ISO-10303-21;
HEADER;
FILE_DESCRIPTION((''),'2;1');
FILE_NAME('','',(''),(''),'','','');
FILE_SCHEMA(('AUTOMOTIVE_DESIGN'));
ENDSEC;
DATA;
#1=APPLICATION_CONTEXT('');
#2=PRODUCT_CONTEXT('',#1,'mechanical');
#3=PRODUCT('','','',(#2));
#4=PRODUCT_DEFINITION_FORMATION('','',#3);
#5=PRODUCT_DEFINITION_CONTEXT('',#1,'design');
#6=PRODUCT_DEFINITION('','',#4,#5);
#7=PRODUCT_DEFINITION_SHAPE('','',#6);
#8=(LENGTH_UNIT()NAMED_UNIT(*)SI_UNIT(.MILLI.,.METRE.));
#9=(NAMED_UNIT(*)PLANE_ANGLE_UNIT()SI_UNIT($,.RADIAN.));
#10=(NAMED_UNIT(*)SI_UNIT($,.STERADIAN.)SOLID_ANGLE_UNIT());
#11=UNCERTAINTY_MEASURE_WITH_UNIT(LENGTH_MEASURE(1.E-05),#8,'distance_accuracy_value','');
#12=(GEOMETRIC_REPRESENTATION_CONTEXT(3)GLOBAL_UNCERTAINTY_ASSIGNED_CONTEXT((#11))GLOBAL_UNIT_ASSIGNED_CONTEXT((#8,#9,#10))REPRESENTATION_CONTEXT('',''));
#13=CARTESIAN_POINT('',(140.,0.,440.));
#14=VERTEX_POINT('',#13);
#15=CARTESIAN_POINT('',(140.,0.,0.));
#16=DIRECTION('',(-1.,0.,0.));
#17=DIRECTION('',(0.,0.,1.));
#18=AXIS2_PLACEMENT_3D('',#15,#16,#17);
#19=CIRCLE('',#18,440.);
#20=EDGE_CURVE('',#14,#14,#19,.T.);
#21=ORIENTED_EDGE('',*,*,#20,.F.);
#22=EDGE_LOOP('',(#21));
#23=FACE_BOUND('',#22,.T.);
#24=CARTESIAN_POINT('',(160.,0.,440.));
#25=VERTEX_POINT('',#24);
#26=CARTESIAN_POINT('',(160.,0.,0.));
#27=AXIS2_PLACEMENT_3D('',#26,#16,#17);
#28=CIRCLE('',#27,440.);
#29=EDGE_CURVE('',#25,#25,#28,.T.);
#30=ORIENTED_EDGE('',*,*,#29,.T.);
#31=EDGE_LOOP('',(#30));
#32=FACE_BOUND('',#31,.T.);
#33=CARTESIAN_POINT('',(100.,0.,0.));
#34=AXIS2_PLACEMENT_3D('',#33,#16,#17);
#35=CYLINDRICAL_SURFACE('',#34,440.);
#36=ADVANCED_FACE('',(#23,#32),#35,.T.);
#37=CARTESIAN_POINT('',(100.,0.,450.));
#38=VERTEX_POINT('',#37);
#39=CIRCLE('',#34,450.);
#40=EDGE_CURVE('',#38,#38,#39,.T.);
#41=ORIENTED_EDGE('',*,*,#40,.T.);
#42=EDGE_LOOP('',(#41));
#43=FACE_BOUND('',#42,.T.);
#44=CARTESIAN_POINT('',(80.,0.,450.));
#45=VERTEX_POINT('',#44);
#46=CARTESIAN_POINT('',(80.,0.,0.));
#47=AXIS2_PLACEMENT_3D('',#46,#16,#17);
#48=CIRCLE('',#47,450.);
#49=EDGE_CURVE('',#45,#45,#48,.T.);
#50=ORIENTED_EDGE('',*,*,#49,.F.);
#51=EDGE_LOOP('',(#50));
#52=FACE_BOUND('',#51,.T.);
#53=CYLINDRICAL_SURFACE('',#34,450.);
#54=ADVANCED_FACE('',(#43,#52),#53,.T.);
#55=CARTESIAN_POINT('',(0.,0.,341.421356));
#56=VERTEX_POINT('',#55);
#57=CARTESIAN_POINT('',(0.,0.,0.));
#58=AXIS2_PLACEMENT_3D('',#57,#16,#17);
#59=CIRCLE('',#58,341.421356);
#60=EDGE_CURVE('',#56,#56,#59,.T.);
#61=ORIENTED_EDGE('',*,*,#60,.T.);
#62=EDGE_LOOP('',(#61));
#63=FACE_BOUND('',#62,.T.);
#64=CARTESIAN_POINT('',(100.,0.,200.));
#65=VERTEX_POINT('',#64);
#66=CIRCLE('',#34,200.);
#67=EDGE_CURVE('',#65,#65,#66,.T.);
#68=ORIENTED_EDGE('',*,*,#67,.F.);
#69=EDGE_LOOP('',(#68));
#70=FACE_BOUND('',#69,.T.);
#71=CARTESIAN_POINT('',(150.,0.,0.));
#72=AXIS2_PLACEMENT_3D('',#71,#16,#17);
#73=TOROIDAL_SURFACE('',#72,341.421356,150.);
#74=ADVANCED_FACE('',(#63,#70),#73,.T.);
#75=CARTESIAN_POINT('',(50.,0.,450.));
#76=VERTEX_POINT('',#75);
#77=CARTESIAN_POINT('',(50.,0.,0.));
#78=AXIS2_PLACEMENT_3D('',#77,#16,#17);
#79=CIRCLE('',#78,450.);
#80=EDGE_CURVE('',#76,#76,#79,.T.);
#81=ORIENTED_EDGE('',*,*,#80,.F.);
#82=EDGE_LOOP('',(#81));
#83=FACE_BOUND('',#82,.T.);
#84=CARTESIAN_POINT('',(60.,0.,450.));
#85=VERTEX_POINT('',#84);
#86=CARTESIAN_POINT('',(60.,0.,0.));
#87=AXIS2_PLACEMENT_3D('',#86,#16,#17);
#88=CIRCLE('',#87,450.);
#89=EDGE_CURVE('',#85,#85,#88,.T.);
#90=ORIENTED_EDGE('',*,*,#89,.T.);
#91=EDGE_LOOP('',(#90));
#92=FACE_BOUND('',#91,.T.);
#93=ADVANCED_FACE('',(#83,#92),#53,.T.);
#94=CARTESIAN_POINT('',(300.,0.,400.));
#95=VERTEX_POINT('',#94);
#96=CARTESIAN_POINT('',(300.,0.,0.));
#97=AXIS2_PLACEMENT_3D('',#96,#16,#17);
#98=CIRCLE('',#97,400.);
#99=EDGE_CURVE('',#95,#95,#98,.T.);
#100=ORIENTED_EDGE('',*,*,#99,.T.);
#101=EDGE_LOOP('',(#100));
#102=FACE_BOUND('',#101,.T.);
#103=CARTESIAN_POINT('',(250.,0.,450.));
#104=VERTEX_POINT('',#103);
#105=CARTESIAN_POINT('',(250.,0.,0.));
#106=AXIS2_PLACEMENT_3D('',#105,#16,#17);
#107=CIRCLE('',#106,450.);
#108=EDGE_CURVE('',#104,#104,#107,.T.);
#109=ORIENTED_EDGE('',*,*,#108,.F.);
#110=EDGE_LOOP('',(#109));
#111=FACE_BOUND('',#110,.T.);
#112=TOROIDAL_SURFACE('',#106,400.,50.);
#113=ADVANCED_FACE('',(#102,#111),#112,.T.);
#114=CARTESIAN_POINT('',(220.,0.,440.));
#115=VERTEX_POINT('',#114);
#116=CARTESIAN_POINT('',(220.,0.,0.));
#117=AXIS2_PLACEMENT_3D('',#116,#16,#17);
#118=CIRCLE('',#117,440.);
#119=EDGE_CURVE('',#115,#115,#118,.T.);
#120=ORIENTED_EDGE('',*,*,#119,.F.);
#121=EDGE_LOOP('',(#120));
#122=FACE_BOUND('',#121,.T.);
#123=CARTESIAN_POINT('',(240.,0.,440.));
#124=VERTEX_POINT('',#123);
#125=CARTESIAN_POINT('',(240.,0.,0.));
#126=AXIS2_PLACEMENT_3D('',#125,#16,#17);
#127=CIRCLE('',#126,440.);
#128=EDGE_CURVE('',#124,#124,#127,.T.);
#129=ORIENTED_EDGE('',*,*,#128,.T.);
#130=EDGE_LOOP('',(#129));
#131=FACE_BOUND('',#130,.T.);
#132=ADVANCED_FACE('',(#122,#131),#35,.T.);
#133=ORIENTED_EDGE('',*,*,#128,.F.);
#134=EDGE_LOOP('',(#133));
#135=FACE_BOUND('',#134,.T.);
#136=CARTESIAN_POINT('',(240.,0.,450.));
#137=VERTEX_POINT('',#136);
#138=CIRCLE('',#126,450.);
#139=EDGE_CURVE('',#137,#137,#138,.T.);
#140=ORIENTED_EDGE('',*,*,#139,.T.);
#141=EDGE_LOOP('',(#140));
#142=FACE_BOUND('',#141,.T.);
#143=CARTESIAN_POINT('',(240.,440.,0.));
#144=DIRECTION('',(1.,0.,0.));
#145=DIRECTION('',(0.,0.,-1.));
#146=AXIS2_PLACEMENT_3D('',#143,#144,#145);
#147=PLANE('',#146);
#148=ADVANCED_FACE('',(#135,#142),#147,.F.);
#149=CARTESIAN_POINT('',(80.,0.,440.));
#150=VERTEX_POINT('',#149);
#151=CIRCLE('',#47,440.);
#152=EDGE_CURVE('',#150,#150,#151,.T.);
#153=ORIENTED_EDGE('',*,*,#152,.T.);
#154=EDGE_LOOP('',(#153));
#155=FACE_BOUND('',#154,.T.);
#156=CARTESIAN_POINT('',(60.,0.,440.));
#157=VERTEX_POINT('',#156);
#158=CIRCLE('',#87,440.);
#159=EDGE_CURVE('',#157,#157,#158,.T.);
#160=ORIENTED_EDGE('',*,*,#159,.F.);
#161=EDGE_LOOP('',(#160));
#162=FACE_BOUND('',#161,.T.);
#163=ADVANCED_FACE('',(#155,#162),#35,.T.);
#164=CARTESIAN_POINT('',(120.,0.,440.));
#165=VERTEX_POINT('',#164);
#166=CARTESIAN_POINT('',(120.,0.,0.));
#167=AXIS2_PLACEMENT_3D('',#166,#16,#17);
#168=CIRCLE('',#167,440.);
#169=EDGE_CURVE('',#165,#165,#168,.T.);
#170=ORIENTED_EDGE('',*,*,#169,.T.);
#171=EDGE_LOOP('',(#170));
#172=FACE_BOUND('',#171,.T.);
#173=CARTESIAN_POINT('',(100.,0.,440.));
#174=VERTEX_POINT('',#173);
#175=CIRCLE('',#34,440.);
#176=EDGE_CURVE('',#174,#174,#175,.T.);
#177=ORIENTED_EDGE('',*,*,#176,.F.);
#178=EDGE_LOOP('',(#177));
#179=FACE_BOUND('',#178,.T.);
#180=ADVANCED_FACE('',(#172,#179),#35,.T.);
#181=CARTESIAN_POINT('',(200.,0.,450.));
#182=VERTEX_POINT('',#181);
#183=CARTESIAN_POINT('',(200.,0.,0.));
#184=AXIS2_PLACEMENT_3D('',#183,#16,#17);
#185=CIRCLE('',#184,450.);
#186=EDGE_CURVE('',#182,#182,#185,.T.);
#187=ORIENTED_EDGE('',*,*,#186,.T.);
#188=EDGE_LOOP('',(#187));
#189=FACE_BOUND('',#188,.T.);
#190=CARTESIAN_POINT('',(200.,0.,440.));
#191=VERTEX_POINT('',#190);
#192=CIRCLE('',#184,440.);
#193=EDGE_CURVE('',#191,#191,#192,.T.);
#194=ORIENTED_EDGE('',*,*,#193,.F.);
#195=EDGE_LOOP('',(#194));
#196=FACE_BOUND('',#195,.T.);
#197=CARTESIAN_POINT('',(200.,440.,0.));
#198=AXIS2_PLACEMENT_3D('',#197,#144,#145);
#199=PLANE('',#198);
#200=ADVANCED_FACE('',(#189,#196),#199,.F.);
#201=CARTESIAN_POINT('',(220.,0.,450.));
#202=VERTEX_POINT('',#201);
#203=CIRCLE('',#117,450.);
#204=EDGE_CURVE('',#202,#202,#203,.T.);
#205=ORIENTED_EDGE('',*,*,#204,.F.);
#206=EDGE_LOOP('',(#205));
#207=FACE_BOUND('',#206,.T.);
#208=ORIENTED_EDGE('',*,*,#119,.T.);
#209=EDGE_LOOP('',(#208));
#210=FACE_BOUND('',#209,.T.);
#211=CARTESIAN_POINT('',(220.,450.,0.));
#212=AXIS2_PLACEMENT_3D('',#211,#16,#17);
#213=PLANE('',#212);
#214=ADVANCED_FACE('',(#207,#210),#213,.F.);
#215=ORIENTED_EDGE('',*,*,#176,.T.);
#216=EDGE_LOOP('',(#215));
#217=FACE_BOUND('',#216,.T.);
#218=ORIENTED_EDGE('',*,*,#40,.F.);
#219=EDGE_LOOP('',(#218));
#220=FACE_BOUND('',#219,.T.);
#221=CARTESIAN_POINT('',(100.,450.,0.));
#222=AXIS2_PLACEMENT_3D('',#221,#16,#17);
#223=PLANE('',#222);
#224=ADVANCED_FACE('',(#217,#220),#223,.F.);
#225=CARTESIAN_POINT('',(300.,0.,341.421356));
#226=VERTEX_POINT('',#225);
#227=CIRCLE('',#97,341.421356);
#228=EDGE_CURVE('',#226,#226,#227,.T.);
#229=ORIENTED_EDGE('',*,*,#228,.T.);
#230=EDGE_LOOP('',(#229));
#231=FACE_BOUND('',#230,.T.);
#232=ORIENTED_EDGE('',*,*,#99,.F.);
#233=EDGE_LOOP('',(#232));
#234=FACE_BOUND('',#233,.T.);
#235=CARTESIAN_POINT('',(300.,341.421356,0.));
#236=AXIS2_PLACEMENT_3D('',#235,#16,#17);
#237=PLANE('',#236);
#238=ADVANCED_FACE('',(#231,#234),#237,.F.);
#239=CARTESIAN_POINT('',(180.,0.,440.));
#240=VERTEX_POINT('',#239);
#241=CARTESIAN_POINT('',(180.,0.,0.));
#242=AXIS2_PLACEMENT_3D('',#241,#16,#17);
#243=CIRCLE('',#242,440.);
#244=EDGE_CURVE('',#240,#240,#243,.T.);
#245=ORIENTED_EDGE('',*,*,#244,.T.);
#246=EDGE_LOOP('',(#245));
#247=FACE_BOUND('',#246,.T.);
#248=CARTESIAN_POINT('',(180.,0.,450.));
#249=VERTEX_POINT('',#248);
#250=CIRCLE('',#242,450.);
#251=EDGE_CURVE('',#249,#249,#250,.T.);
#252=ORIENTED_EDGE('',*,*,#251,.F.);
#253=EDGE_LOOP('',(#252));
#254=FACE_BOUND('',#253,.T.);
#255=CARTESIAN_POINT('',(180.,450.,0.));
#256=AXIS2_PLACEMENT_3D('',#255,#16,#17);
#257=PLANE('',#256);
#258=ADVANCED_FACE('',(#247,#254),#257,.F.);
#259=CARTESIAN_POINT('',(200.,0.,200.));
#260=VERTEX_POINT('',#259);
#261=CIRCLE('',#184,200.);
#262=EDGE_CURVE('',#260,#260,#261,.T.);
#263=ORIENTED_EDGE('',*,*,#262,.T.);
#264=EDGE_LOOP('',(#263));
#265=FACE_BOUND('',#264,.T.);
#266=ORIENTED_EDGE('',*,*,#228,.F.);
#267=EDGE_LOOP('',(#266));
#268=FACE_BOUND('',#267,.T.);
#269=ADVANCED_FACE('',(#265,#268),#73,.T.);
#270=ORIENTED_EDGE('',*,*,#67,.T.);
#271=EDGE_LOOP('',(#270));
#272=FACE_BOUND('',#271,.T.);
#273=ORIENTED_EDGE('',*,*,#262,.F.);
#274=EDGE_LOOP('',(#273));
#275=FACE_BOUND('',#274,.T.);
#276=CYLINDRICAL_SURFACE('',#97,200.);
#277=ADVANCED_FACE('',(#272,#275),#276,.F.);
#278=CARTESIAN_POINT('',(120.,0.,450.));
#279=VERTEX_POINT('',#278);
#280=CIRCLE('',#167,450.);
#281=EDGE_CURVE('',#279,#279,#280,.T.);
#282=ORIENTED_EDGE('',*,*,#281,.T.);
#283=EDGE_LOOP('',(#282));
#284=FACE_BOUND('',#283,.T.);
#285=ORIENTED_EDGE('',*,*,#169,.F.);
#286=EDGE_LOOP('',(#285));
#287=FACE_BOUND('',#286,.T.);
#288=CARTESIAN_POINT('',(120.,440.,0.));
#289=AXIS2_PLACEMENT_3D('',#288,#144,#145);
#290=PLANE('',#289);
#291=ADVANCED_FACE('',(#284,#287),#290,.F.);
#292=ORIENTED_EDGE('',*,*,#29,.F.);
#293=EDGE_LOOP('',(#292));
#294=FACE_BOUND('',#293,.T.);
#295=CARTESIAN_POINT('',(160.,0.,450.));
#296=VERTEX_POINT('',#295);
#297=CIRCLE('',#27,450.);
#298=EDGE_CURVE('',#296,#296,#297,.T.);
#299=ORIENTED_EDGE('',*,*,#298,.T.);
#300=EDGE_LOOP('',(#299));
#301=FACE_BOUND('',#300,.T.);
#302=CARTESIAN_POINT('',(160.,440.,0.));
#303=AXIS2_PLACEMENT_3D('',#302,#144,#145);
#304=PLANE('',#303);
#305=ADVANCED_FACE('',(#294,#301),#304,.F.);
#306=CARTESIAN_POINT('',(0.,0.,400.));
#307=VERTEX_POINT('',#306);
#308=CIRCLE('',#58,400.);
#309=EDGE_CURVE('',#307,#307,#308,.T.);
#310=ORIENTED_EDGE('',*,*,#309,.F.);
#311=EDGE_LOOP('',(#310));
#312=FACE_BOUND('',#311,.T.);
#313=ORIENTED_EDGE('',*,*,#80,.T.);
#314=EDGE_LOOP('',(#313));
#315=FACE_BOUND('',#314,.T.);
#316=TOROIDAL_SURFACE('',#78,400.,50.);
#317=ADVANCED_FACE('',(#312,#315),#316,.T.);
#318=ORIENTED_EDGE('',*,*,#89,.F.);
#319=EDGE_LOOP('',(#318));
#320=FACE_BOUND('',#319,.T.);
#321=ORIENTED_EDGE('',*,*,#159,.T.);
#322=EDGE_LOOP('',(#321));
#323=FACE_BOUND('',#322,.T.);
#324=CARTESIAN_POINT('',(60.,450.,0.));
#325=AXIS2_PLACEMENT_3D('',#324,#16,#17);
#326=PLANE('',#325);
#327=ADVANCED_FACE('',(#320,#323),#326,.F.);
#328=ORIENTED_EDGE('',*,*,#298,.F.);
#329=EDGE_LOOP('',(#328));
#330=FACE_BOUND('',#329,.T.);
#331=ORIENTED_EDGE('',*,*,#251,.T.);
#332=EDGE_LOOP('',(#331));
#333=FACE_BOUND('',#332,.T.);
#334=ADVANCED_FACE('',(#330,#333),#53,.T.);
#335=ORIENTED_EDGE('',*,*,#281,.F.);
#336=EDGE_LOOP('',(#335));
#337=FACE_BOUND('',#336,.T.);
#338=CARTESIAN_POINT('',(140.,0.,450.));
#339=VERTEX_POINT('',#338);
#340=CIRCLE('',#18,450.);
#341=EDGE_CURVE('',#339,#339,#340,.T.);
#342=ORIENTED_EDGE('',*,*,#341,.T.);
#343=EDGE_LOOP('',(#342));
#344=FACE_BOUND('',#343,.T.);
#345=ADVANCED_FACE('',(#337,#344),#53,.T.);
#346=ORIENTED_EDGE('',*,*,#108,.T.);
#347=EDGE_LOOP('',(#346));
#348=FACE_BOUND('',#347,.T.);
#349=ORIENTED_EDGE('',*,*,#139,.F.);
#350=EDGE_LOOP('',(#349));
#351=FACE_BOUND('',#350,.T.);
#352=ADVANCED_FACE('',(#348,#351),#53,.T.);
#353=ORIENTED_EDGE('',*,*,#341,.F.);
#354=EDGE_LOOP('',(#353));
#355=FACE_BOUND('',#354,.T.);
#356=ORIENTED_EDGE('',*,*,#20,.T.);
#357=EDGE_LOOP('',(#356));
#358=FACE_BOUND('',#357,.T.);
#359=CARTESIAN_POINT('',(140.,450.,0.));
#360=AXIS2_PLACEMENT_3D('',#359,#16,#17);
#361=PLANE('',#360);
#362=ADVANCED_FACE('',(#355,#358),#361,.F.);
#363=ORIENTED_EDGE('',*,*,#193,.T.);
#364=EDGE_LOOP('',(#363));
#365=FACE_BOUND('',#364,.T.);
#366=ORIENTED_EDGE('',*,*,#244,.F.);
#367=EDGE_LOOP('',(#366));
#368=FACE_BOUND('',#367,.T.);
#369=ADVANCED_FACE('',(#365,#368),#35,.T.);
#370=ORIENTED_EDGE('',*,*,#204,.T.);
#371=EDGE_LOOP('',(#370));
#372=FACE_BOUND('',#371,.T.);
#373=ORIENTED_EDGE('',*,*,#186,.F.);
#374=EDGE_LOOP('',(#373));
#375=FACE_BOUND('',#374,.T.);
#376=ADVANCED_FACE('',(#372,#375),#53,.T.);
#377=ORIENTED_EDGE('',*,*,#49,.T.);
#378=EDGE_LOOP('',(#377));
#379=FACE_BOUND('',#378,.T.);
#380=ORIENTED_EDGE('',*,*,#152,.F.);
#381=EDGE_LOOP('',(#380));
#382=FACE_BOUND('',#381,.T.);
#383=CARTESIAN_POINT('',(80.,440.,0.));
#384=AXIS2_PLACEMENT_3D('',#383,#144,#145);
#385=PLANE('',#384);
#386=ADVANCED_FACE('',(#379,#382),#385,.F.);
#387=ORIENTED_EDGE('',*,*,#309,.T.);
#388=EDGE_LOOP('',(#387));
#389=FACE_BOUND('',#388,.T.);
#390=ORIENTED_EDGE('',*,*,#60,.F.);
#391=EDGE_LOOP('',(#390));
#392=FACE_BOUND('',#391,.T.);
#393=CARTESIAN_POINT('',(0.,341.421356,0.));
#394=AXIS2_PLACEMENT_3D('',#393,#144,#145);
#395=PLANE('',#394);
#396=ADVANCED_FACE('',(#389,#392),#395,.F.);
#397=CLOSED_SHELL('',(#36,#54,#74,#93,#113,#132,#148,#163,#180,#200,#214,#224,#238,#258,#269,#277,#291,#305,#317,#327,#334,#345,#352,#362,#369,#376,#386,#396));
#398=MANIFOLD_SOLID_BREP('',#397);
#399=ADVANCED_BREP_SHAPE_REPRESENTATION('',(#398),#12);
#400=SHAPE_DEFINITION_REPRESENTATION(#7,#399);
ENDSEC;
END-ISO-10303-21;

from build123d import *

# Parameters (mm, degrees)
SKETCH5_R          = 200
CUT_EXTRUDE3_DEPTH = 201


with BuildPart() as part:
    # Sketch2 → Revolve2 (revolve)
    with BuildSketch(Plane.XY):
        with BuildLine():
            Line((60, 450), (60, 440))
            Line((60, 440), (80, 440))
            Line((80, 440), (80, 450))
            Line((80, 450), (100, 450))
            Line((100, 450), (100, 440))
            Line((100, 440), (120, 440))
            Line((120, 440), (120, 450))
            Line((120, 450), (140, 450))
            Line((140, 450), (140, 440))
            Line((140, 440), (160, 440))
            Line((160, 440), (160, 450))
            Line((160, 450), (180, 450))
            Line((180, 450), (180, 440))
            Line((180, 440), (200, 440))
            Line((200, 440), (200, 450))
            Line((200, 450), (220, 450))
            Line((220, 450), (220, 440))
            Line((220, 440), (240, 440))
            Line((240, 440), (240, 450))
            Line((240, 450), (250, 450))
            ThreePointArc((250, 450), (285.355339059, 435.355339059), (300, 400))
            Line((300, 400), (300, 341.421356237))
            ThreePointArc((300, 341.421356237), (272.474487139, 254.818815859), (200, 200))
            Line((200, 200), (200, 0))
            Line((200, 0), (100, 0))
            Line((100, 0), (100, 200))
            ThreePointArc((100, 200), (27.525512861, 254.818815859), (0, 341.421356237))
            Line((0, 341.421356237), (0, 400))
            ThreePointArc((0, 400), (14.644660941, 435.355339059), (50, 450))
            Line((50, 450), (60, 450))
        make_face()
    revolve(axis=Axis((100, 0, 0), (1, 0, 0)))

    # Sketch5 → Cut-Extrude3 (cut, through all)
    with BuildSketch(Plane.ZY.offset(-100)):
        Circle(SKETCH5_R)
    extrude(amount=-CUT_EXTRUDE3_DEPTH, mode=Mode.SUBTRACT)


solid = part.part
